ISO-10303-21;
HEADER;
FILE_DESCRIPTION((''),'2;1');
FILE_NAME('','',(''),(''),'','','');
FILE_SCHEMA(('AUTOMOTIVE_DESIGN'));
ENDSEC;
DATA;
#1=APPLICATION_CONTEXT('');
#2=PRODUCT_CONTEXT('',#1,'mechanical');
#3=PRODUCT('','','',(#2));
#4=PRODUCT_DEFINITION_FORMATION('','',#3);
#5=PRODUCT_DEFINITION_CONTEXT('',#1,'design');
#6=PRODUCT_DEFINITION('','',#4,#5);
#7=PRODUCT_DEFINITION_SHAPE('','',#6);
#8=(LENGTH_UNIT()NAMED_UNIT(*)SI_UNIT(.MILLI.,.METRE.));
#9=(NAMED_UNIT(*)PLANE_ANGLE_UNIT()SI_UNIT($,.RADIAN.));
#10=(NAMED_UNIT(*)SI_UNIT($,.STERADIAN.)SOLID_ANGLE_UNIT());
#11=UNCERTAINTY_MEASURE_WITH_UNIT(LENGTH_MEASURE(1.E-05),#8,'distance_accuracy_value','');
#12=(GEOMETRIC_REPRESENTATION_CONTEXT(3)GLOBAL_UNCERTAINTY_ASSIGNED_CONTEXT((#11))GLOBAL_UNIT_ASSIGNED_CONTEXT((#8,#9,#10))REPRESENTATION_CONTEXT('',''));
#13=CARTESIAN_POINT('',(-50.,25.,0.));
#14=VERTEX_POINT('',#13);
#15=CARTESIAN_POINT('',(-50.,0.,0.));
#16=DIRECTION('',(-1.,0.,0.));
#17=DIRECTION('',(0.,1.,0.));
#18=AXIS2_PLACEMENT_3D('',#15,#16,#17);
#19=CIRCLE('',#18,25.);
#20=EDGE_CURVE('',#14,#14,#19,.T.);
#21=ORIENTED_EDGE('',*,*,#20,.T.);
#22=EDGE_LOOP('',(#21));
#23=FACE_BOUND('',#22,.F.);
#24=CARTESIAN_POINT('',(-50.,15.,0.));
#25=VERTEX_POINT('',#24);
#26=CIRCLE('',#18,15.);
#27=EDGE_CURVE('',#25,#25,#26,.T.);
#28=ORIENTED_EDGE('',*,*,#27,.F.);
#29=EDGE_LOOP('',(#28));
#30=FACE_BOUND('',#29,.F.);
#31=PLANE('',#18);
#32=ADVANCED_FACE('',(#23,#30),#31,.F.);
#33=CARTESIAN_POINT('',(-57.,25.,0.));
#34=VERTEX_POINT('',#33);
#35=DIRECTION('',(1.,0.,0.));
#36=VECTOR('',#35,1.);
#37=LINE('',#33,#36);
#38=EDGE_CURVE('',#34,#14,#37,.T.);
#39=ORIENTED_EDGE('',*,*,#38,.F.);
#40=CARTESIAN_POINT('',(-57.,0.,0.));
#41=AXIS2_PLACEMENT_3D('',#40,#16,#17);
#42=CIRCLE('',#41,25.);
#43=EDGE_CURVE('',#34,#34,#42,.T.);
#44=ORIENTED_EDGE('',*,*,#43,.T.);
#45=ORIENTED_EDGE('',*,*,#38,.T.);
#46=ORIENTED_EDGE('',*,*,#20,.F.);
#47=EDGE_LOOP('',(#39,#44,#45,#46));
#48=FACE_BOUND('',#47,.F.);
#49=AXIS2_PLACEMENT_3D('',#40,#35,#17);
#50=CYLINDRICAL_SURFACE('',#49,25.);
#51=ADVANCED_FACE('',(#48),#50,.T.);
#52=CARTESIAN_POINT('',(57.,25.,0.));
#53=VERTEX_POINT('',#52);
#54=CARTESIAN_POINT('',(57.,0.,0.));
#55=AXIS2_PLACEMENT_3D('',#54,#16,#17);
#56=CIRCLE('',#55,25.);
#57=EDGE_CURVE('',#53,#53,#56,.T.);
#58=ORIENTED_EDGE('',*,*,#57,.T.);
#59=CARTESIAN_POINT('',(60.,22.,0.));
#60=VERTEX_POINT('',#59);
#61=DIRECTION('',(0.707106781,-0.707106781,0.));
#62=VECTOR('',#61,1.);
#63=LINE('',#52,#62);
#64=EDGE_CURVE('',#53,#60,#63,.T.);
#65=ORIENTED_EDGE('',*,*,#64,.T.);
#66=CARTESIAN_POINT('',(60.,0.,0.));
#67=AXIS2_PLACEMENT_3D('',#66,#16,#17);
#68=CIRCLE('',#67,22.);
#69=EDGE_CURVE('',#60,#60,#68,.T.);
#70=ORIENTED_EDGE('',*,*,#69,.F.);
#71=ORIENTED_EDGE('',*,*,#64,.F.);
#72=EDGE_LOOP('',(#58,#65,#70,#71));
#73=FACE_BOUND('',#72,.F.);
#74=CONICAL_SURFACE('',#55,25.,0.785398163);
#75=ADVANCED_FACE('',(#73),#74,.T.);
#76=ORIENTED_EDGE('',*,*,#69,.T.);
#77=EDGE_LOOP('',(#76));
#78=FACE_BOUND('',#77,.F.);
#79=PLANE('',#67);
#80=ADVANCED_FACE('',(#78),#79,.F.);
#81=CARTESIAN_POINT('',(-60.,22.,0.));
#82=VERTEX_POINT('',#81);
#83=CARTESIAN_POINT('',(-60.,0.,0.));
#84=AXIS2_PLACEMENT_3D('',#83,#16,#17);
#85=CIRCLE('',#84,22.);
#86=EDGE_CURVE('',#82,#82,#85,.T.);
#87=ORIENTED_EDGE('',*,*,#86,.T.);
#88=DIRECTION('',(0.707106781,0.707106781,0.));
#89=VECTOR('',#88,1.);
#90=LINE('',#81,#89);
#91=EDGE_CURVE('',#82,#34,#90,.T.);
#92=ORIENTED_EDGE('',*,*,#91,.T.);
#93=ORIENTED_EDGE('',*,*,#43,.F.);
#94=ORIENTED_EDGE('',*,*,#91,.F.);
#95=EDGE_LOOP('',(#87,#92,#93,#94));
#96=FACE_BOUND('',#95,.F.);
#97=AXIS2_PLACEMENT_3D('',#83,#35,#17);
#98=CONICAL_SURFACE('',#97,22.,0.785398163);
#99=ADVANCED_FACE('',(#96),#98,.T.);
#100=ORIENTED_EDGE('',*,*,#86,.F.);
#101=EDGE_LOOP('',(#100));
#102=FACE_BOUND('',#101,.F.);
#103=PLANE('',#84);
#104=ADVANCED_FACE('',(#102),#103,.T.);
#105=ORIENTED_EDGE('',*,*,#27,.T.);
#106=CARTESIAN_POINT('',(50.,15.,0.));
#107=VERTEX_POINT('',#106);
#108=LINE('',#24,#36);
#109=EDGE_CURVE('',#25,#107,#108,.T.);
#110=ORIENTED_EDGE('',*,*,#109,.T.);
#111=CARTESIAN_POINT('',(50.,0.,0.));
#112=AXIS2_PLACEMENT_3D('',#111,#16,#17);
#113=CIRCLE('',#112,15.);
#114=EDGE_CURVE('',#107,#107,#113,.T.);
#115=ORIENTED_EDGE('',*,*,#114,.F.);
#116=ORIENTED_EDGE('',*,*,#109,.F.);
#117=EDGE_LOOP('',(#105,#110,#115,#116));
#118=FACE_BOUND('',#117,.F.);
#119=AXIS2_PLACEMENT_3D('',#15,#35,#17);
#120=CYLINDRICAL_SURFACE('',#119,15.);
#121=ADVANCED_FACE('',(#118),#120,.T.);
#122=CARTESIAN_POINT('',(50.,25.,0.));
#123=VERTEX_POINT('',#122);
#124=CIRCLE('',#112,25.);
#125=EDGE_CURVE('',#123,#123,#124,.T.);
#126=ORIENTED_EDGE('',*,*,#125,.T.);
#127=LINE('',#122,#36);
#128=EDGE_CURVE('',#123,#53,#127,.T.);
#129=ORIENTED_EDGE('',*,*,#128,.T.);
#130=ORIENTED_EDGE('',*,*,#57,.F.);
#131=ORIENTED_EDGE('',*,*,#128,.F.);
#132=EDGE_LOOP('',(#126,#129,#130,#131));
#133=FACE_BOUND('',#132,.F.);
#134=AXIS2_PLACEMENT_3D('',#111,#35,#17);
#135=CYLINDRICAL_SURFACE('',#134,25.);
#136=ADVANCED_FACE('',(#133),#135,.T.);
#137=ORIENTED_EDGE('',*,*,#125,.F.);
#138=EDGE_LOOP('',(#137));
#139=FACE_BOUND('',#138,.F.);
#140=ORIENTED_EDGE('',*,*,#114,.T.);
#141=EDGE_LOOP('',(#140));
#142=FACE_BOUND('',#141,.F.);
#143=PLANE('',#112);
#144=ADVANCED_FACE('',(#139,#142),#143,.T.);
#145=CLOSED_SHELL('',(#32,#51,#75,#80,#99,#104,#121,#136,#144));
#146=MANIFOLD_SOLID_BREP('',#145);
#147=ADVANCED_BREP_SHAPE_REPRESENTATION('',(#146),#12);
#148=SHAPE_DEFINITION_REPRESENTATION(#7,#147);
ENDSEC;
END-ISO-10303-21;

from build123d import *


with BuildPart() as part:
    # Sketch1 → Revolve1 (revolve)
    with BuildSketch(Plane.XY):
        Polygon((-50, 15), (50, 15), (50, 25), (57, 25), (60, 22), (60, 0), (-60, 0), (-60, 22), (-57, 25), (-50, 25), align=None)
    revolve(axis=Axis((60, 0, 0), (-1, 0, 0)))


solid = part.part
